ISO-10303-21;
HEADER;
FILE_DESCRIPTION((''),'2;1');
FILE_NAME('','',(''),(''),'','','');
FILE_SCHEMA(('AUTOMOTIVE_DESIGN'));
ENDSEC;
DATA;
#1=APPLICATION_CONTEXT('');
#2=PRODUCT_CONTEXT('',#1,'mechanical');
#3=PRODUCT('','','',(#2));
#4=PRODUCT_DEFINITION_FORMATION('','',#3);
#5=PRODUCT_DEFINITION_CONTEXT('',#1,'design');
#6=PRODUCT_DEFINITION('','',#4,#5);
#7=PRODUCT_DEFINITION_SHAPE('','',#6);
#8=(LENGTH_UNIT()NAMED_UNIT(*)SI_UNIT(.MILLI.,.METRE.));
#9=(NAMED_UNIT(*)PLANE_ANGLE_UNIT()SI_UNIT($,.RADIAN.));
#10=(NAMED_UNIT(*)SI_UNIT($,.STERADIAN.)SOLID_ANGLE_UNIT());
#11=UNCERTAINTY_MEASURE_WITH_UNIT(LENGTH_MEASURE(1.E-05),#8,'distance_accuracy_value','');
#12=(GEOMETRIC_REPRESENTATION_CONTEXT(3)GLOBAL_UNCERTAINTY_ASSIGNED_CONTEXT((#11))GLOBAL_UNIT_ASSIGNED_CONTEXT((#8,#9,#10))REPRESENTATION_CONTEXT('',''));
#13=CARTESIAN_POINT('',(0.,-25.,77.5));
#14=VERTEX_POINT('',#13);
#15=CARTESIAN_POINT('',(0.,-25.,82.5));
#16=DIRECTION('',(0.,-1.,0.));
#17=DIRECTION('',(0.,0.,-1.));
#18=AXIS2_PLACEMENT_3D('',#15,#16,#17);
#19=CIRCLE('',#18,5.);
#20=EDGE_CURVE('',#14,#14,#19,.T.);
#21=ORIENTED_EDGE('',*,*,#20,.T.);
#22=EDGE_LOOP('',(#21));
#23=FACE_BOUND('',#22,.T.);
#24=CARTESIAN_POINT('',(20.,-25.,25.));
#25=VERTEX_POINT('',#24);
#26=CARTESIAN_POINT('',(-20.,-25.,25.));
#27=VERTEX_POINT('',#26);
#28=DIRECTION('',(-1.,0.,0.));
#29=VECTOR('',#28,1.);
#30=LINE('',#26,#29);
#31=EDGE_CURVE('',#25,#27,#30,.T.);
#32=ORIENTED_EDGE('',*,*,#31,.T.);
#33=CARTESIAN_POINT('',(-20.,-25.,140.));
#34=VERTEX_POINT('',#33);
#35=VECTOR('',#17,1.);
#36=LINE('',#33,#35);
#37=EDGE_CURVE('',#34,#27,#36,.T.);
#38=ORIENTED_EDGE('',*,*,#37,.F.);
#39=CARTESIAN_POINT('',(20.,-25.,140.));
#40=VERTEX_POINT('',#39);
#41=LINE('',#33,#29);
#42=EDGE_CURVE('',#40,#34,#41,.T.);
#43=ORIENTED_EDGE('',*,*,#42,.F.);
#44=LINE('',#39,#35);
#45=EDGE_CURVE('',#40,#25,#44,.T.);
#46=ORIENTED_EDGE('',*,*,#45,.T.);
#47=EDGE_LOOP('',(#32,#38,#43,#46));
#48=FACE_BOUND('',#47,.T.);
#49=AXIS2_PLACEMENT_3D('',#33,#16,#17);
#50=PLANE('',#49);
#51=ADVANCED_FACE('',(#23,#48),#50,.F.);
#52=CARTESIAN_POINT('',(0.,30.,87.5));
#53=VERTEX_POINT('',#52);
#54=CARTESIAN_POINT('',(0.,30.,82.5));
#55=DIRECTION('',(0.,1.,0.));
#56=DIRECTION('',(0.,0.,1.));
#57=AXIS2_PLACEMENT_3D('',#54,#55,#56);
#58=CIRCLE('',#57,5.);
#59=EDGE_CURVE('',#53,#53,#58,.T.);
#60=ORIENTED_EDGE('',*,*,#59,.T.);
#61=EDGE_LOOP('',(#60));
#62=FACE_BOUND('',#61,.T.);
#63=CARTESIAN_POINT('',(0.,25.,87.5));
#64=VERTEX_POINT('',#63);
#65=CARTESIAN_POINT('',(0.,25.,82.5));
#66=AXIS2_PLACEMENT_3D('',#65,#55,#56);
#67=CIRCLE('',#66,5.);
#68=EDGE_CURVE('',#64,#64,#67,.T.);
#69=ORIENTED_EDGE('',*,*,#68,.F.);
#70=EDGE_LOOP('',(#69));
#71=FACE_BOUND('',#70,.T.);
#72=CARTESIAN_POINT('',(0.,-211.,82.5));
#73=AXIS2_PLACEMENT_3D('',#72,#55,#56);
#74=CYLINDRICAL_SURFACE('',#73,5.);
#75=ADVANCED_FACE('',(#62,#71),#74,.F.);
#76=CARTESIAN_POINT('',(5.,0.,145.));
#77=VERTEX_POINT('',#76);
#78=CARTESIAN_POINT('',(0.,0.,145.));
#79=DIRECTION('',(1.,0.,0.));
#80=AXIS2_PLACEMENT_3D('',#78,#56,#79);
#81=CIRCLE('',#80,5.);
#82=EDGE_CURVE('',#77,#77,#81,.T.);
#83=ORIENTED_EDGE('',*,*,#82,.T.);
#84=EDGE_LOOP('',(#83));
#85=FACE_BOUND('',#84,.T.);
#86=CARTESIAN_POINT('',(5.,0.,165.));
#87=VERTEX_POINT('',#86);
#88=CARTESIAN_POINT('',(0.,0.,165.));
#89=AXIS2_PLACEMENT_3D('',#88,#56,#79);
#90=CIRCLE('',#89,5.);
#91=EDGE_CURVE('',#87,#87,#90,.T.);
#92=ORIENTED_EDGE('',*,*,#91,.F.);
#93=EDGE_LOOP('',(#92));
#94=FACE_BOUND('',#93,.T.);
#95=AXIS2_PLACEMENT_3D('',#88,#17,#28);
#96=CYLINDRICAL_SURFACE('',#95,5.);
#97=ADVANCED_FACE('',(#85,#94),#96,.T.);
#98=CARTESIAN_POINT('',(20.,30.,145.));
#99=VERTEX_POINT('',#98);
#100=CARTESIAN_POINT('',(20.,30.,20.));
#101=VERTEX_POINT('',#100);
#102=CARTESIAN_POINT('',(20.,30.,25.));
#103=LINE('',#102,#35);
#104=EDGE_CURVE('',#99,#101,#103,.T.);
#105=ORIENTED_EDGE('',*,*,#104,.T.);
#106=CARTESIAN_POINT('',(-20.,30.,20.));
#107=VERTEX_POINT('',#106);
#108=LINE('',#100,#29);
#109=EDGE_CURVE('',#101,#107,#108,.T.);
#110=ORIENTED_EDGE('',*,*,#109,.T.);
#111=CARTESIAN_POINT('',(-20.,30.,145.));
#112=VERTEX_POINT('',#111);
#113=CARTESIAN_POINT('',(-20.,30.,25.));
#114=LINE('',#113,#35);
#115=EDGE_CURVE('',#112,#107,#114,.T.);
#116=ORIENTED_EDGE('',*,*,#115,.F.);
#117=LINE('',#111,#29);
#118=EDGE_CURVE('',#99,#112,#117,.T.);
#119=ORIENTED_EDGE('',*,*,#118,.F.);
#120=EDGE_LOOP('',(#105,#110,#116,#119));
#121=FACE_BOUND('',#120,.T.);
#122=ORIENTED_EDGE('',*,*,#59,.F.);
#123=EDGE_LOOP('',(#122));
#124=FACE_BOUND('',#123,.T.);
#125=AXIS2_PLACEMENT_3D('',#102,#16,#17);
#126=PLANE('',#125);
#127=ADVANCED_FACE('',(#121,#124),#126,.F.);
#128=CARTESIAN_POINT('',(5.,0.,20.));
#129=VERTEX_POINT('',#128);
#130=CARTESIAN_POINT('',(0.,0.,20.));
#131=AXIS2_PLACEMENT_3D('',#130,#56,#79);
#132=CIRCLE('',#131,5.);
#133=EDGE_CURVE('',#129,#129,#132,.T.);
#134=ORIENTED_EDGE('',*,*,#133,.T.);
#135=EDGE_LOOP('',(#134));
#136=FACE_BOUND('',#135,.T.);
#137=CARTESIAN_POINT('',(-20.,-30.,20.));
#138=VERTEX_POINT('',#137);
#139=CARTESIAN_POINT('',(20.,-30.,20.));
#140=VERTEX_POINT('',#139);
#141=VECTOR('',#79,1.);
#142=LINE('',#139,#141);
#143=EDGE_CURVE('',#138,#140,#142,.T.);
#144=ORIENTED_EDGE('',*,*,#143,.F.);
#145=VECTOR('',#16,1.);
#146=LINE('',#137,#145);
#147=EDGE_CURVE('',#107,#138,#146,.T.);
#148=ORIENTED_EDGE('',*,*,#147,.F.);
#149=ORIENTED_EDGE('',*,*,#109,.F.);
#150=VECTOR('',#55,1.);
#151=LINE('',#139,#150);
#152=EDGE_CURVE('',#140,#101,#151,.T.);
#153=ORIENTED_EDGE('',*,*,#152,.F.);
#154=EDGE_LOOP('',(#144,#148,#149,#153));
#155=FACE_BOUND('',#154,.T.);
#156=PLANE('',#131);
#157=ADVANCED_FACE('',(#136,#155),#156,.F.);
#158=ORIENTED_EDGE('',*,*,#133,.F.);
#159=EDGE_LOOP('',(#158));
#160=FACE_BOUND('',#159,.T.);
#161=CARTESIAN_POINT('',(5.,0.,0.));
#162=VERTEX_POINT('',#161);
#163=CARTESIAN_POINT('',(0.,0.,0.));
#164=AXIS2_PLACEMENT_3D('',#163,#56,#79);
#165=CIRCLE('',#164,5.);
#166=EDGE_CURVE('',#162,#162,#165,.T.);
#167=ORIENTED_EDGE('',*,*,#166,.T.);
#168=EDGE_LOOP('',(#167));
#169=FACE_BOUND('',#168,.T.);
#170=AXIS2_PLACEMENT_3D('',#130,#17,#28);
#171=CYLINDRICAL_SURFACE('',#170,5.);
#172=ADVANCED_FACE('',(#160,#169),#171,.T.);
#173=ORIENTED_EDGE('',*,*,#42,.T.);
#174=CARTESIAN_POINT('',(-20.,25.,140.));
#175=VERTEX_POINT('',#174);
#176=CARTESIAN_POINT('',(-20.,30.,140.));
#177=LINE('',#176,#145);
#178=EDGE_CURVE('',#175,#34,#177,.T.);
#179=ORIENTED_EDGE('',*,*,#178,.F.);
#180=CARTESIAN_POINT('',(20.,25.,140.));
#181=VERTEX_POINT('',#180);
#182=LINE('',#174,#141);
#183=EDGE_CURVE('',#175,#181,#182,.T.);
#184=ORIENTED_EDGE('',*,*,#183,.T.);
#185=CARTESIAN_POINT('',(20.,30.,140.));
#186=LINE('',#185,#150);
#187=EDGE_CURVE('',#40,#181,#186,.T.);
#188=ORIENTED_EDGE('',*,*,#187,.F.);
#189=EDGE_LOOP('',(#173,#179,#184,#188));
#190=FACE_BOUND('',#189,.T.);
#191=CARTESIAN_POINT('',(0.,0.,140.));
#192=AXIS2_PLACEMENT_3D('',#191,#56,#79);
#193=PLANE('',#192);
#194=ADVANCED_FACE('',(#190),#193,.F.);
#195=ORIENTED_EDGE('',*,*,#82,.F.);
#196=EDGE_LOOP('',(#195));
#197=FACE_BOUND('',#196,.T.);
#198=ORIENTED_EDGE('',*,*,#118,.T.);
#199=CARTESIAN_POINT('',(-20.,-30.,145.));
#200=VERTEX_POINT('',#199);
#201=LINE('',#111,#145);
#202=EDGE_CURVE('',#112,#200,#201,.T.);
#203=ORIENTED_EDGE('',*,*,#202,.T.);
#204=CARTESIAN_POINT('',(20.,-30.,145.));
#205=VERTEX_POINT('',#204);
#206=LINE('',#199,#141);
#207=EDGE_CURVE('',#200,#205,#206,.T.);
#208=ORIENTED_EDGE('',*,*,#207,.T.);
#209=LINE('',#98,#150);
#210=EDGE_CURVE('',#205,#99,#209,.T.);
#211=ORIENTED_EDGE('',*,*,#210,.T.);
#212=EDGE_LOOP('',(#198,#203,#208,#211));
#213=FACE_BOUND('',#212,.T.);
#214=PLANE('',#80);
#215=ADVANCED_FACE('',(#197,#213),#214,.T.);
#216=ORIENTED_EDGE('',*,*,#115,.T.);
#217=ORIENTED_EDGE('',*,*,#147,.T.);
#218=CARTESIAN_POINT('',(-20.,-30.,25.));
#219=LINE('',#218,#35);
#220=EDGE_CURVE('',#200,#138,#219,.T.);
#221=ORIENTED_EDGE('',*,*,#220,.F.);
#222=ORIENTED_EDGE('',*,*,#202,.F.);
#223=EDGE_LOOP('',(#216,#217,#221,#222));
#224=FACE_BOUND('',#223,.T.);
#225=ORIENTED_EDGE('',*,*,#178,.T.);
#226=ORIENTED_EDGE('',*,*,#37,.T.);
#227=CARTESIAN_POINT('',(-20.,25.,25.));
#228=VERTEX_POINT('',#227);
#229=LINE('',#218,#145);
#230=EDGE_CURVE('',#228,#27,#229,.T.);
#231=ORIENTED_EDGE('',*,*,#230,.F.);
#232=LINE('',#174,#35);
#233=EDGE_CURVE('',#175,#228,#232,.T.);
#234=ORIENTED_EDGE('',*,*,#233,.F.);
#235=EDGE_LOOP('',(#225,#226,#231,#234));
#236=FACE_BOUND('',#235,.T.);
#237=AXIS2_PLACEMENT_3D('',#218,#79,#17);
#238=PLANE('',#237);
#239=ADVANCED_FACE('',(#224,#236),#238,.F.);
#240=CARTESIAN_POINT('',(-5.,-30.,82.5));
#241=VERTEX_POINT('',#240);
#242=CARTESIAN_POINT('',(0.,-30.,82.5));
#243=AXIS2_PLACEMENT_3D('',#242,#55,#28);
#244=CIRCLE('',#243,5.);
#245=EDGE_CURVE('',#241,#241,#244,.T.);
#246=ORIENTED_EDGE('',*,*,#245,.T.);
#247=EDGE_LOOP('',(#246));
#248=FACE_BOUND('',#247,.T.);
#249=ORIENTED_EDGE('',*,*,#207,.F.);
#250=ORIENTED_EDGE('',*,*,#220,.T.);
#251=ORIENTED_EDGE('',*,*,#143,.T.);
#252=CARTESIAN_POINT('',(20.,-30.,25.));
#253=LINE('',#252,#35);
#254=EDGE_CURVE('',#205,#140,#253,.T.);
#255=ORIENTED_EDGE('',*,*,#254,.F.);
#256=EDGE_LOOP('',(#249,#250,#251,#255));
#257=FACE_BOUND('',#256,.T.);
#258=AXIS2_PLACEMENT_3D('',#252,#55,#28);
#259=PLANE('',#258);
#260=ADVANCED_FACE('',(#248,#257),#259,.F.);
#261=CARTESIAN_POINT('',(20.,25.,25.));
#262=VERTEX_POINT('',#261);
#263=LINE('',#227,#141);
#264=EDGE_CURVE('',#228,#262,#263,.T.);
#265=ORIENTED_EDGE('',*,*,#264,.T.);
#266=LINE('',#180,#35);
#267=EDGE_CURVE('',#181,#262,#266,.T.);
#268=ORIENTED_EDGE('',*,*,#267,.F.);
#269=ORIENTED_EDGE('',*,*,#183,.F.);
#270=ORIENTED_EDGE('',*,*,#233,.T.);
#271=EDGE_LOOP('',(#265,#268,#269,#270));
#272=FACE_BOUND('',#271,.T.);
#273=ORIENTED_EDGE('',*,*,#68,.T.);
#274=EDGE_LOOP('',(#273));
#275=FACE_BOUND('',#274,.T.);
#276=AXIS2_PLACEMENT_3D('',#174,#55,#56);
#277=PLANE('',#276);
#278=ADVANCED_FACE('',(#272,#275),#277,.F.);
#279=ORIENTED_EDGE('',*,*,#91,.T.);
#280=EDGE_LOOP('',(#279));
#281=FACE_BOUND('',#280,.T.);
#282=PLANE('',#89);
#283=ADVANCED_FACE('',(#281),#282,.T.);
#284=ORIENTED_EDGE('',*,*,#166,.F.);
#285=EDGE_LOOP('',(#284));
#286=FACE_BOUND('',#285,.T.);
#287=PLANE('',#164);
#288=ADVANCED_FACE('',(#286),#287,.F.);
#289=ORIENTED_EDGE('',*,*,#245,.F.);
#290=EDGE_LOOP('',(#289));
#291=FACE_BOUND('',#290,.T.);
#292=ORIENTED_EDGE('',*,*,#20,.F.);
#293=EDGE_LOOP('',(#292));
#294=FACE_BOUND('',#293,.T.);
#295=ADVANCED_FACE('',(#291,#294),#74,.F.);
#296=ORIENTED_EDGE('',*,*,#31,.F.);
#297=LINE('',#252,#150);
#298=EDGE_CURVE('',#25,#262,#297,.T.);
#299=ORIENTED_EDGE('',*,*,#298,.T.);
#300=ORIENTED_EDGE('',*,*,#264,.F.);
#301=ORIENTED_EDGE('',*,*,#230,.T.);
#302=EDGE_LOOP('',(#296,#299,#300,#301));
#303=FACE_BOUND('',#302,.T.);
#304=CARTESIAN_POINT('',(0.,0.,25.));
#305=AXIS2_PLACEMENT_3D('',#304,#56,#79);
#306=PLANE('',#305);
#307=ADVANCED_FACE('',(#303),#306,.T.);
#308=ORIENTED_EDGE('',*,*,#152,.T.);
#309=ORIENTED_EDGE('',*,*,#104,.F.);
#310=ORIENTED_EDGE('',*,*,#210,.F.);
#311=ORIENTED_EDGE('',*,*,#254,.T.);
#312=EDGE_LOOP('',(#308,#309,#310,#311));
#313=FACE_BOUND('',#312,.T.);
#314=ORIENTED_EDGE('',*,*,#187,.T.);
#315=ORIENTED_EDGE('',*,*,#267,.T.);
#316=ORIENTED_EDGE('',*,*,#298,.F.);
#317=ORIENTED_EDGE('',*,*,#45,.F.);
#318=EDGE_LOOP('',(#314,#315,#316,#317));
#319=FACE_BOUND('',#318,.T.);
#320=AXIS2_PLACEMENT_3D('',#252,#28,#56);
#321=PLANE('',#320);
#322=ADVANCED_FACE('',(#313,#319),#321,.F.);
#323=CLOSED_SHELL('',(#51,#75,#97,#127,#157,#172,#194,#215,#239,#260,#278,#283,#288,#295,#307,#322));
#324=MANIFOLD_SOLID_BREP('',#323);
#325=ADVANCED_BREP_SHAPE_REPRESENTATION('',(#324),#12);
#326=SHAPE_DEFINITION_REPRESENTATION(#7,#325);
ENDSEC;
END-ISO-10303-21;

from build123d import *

# Parameters (mm, degrees)
SKETCH_1_R          = 5
EXTRUDE_1_DEPTH     = 20
SKETCH_2_W          = 40
SKETCH_2_H          = 60
EXTRUDE_2_DEPTH     = 5
SKETCH_3_W          = 40
SKETCH_3_H          = 5
EXTRUDE_3_DEPTH     = 115
SKETCH_4_W          = 40
SKETCH_4_H          = 60
EXTRUDE_4_DEPTH     = 5
SKETCH_5_R          = 5
EXTRUDE_5_DEPTH     = 20
SKETCH_6_R          = 5
CUT_EXTRUDE_1_DEPTH = 241


with BuildPart() as part:
    # Эскиз1 → Бобышка-Вытянуть1 (new body)
    with BuildSketch(Plane.XY):
        Circle(SKETCH_1_R)
    extrude(amount=EXTRUDE_1_DEPTH)

    # Эскиз2 → Бобышка-Вытянуть2 (add)
    with BuildSketch(Plane.XY.offset(20)):
        Rectangle(SKETCH_2_W, SKETCH_2_H)
    extrude(amount=EXTRUDE_2_DEPTH)

    # Эскиз3 → Бобышка-Вытянуть3 (add)
    with BuildSketch(Plane.XY.offset(25)):
        with Locations((0, 27.5)):
            Rectangle(SKETCH_3_W, SKETCH_3_H)
        with Locations((0, -27.5)):
            Rectangle(SKETCH_3_W, SKETCH_3_H)
    extrude(amount=EXTRUDE_3_DEPTH)

    # Эскиз4 → Бобышка-Вытянуть4 (add)
    with BuildSketch(Plane.XY.offset(140)):
        Rectangle(SKETCH_4_W, SKETCH_4_H)
    extrude(amount=EXTRUDE_4_DEPTH)

    # Эскиз5 → Бобышка-Вытянуть5 (add)
    with BuildSketch(Plane.XY.offset(145)):
        Circle(SKETCH_5_R)
    extrude(amount=EXTRUDE_5_DEPTH)

    # Эскиз6 → Вырез-Вытянуть1 (cut)
    with BuildSketch(Plane(origin=(0, 30, 0), x_dir=(1, 0, 0), z_dir=(0, 1, 0))):
        with Locations(Location((0, -82.5, 0), (0, 0, 180))):
            Circle(SKETCH_6_R)
    extrude(amount=-CUT_EXTRUDE_1_DEPTH, mode=Mode.SUBTRACT)


solid = part.part
